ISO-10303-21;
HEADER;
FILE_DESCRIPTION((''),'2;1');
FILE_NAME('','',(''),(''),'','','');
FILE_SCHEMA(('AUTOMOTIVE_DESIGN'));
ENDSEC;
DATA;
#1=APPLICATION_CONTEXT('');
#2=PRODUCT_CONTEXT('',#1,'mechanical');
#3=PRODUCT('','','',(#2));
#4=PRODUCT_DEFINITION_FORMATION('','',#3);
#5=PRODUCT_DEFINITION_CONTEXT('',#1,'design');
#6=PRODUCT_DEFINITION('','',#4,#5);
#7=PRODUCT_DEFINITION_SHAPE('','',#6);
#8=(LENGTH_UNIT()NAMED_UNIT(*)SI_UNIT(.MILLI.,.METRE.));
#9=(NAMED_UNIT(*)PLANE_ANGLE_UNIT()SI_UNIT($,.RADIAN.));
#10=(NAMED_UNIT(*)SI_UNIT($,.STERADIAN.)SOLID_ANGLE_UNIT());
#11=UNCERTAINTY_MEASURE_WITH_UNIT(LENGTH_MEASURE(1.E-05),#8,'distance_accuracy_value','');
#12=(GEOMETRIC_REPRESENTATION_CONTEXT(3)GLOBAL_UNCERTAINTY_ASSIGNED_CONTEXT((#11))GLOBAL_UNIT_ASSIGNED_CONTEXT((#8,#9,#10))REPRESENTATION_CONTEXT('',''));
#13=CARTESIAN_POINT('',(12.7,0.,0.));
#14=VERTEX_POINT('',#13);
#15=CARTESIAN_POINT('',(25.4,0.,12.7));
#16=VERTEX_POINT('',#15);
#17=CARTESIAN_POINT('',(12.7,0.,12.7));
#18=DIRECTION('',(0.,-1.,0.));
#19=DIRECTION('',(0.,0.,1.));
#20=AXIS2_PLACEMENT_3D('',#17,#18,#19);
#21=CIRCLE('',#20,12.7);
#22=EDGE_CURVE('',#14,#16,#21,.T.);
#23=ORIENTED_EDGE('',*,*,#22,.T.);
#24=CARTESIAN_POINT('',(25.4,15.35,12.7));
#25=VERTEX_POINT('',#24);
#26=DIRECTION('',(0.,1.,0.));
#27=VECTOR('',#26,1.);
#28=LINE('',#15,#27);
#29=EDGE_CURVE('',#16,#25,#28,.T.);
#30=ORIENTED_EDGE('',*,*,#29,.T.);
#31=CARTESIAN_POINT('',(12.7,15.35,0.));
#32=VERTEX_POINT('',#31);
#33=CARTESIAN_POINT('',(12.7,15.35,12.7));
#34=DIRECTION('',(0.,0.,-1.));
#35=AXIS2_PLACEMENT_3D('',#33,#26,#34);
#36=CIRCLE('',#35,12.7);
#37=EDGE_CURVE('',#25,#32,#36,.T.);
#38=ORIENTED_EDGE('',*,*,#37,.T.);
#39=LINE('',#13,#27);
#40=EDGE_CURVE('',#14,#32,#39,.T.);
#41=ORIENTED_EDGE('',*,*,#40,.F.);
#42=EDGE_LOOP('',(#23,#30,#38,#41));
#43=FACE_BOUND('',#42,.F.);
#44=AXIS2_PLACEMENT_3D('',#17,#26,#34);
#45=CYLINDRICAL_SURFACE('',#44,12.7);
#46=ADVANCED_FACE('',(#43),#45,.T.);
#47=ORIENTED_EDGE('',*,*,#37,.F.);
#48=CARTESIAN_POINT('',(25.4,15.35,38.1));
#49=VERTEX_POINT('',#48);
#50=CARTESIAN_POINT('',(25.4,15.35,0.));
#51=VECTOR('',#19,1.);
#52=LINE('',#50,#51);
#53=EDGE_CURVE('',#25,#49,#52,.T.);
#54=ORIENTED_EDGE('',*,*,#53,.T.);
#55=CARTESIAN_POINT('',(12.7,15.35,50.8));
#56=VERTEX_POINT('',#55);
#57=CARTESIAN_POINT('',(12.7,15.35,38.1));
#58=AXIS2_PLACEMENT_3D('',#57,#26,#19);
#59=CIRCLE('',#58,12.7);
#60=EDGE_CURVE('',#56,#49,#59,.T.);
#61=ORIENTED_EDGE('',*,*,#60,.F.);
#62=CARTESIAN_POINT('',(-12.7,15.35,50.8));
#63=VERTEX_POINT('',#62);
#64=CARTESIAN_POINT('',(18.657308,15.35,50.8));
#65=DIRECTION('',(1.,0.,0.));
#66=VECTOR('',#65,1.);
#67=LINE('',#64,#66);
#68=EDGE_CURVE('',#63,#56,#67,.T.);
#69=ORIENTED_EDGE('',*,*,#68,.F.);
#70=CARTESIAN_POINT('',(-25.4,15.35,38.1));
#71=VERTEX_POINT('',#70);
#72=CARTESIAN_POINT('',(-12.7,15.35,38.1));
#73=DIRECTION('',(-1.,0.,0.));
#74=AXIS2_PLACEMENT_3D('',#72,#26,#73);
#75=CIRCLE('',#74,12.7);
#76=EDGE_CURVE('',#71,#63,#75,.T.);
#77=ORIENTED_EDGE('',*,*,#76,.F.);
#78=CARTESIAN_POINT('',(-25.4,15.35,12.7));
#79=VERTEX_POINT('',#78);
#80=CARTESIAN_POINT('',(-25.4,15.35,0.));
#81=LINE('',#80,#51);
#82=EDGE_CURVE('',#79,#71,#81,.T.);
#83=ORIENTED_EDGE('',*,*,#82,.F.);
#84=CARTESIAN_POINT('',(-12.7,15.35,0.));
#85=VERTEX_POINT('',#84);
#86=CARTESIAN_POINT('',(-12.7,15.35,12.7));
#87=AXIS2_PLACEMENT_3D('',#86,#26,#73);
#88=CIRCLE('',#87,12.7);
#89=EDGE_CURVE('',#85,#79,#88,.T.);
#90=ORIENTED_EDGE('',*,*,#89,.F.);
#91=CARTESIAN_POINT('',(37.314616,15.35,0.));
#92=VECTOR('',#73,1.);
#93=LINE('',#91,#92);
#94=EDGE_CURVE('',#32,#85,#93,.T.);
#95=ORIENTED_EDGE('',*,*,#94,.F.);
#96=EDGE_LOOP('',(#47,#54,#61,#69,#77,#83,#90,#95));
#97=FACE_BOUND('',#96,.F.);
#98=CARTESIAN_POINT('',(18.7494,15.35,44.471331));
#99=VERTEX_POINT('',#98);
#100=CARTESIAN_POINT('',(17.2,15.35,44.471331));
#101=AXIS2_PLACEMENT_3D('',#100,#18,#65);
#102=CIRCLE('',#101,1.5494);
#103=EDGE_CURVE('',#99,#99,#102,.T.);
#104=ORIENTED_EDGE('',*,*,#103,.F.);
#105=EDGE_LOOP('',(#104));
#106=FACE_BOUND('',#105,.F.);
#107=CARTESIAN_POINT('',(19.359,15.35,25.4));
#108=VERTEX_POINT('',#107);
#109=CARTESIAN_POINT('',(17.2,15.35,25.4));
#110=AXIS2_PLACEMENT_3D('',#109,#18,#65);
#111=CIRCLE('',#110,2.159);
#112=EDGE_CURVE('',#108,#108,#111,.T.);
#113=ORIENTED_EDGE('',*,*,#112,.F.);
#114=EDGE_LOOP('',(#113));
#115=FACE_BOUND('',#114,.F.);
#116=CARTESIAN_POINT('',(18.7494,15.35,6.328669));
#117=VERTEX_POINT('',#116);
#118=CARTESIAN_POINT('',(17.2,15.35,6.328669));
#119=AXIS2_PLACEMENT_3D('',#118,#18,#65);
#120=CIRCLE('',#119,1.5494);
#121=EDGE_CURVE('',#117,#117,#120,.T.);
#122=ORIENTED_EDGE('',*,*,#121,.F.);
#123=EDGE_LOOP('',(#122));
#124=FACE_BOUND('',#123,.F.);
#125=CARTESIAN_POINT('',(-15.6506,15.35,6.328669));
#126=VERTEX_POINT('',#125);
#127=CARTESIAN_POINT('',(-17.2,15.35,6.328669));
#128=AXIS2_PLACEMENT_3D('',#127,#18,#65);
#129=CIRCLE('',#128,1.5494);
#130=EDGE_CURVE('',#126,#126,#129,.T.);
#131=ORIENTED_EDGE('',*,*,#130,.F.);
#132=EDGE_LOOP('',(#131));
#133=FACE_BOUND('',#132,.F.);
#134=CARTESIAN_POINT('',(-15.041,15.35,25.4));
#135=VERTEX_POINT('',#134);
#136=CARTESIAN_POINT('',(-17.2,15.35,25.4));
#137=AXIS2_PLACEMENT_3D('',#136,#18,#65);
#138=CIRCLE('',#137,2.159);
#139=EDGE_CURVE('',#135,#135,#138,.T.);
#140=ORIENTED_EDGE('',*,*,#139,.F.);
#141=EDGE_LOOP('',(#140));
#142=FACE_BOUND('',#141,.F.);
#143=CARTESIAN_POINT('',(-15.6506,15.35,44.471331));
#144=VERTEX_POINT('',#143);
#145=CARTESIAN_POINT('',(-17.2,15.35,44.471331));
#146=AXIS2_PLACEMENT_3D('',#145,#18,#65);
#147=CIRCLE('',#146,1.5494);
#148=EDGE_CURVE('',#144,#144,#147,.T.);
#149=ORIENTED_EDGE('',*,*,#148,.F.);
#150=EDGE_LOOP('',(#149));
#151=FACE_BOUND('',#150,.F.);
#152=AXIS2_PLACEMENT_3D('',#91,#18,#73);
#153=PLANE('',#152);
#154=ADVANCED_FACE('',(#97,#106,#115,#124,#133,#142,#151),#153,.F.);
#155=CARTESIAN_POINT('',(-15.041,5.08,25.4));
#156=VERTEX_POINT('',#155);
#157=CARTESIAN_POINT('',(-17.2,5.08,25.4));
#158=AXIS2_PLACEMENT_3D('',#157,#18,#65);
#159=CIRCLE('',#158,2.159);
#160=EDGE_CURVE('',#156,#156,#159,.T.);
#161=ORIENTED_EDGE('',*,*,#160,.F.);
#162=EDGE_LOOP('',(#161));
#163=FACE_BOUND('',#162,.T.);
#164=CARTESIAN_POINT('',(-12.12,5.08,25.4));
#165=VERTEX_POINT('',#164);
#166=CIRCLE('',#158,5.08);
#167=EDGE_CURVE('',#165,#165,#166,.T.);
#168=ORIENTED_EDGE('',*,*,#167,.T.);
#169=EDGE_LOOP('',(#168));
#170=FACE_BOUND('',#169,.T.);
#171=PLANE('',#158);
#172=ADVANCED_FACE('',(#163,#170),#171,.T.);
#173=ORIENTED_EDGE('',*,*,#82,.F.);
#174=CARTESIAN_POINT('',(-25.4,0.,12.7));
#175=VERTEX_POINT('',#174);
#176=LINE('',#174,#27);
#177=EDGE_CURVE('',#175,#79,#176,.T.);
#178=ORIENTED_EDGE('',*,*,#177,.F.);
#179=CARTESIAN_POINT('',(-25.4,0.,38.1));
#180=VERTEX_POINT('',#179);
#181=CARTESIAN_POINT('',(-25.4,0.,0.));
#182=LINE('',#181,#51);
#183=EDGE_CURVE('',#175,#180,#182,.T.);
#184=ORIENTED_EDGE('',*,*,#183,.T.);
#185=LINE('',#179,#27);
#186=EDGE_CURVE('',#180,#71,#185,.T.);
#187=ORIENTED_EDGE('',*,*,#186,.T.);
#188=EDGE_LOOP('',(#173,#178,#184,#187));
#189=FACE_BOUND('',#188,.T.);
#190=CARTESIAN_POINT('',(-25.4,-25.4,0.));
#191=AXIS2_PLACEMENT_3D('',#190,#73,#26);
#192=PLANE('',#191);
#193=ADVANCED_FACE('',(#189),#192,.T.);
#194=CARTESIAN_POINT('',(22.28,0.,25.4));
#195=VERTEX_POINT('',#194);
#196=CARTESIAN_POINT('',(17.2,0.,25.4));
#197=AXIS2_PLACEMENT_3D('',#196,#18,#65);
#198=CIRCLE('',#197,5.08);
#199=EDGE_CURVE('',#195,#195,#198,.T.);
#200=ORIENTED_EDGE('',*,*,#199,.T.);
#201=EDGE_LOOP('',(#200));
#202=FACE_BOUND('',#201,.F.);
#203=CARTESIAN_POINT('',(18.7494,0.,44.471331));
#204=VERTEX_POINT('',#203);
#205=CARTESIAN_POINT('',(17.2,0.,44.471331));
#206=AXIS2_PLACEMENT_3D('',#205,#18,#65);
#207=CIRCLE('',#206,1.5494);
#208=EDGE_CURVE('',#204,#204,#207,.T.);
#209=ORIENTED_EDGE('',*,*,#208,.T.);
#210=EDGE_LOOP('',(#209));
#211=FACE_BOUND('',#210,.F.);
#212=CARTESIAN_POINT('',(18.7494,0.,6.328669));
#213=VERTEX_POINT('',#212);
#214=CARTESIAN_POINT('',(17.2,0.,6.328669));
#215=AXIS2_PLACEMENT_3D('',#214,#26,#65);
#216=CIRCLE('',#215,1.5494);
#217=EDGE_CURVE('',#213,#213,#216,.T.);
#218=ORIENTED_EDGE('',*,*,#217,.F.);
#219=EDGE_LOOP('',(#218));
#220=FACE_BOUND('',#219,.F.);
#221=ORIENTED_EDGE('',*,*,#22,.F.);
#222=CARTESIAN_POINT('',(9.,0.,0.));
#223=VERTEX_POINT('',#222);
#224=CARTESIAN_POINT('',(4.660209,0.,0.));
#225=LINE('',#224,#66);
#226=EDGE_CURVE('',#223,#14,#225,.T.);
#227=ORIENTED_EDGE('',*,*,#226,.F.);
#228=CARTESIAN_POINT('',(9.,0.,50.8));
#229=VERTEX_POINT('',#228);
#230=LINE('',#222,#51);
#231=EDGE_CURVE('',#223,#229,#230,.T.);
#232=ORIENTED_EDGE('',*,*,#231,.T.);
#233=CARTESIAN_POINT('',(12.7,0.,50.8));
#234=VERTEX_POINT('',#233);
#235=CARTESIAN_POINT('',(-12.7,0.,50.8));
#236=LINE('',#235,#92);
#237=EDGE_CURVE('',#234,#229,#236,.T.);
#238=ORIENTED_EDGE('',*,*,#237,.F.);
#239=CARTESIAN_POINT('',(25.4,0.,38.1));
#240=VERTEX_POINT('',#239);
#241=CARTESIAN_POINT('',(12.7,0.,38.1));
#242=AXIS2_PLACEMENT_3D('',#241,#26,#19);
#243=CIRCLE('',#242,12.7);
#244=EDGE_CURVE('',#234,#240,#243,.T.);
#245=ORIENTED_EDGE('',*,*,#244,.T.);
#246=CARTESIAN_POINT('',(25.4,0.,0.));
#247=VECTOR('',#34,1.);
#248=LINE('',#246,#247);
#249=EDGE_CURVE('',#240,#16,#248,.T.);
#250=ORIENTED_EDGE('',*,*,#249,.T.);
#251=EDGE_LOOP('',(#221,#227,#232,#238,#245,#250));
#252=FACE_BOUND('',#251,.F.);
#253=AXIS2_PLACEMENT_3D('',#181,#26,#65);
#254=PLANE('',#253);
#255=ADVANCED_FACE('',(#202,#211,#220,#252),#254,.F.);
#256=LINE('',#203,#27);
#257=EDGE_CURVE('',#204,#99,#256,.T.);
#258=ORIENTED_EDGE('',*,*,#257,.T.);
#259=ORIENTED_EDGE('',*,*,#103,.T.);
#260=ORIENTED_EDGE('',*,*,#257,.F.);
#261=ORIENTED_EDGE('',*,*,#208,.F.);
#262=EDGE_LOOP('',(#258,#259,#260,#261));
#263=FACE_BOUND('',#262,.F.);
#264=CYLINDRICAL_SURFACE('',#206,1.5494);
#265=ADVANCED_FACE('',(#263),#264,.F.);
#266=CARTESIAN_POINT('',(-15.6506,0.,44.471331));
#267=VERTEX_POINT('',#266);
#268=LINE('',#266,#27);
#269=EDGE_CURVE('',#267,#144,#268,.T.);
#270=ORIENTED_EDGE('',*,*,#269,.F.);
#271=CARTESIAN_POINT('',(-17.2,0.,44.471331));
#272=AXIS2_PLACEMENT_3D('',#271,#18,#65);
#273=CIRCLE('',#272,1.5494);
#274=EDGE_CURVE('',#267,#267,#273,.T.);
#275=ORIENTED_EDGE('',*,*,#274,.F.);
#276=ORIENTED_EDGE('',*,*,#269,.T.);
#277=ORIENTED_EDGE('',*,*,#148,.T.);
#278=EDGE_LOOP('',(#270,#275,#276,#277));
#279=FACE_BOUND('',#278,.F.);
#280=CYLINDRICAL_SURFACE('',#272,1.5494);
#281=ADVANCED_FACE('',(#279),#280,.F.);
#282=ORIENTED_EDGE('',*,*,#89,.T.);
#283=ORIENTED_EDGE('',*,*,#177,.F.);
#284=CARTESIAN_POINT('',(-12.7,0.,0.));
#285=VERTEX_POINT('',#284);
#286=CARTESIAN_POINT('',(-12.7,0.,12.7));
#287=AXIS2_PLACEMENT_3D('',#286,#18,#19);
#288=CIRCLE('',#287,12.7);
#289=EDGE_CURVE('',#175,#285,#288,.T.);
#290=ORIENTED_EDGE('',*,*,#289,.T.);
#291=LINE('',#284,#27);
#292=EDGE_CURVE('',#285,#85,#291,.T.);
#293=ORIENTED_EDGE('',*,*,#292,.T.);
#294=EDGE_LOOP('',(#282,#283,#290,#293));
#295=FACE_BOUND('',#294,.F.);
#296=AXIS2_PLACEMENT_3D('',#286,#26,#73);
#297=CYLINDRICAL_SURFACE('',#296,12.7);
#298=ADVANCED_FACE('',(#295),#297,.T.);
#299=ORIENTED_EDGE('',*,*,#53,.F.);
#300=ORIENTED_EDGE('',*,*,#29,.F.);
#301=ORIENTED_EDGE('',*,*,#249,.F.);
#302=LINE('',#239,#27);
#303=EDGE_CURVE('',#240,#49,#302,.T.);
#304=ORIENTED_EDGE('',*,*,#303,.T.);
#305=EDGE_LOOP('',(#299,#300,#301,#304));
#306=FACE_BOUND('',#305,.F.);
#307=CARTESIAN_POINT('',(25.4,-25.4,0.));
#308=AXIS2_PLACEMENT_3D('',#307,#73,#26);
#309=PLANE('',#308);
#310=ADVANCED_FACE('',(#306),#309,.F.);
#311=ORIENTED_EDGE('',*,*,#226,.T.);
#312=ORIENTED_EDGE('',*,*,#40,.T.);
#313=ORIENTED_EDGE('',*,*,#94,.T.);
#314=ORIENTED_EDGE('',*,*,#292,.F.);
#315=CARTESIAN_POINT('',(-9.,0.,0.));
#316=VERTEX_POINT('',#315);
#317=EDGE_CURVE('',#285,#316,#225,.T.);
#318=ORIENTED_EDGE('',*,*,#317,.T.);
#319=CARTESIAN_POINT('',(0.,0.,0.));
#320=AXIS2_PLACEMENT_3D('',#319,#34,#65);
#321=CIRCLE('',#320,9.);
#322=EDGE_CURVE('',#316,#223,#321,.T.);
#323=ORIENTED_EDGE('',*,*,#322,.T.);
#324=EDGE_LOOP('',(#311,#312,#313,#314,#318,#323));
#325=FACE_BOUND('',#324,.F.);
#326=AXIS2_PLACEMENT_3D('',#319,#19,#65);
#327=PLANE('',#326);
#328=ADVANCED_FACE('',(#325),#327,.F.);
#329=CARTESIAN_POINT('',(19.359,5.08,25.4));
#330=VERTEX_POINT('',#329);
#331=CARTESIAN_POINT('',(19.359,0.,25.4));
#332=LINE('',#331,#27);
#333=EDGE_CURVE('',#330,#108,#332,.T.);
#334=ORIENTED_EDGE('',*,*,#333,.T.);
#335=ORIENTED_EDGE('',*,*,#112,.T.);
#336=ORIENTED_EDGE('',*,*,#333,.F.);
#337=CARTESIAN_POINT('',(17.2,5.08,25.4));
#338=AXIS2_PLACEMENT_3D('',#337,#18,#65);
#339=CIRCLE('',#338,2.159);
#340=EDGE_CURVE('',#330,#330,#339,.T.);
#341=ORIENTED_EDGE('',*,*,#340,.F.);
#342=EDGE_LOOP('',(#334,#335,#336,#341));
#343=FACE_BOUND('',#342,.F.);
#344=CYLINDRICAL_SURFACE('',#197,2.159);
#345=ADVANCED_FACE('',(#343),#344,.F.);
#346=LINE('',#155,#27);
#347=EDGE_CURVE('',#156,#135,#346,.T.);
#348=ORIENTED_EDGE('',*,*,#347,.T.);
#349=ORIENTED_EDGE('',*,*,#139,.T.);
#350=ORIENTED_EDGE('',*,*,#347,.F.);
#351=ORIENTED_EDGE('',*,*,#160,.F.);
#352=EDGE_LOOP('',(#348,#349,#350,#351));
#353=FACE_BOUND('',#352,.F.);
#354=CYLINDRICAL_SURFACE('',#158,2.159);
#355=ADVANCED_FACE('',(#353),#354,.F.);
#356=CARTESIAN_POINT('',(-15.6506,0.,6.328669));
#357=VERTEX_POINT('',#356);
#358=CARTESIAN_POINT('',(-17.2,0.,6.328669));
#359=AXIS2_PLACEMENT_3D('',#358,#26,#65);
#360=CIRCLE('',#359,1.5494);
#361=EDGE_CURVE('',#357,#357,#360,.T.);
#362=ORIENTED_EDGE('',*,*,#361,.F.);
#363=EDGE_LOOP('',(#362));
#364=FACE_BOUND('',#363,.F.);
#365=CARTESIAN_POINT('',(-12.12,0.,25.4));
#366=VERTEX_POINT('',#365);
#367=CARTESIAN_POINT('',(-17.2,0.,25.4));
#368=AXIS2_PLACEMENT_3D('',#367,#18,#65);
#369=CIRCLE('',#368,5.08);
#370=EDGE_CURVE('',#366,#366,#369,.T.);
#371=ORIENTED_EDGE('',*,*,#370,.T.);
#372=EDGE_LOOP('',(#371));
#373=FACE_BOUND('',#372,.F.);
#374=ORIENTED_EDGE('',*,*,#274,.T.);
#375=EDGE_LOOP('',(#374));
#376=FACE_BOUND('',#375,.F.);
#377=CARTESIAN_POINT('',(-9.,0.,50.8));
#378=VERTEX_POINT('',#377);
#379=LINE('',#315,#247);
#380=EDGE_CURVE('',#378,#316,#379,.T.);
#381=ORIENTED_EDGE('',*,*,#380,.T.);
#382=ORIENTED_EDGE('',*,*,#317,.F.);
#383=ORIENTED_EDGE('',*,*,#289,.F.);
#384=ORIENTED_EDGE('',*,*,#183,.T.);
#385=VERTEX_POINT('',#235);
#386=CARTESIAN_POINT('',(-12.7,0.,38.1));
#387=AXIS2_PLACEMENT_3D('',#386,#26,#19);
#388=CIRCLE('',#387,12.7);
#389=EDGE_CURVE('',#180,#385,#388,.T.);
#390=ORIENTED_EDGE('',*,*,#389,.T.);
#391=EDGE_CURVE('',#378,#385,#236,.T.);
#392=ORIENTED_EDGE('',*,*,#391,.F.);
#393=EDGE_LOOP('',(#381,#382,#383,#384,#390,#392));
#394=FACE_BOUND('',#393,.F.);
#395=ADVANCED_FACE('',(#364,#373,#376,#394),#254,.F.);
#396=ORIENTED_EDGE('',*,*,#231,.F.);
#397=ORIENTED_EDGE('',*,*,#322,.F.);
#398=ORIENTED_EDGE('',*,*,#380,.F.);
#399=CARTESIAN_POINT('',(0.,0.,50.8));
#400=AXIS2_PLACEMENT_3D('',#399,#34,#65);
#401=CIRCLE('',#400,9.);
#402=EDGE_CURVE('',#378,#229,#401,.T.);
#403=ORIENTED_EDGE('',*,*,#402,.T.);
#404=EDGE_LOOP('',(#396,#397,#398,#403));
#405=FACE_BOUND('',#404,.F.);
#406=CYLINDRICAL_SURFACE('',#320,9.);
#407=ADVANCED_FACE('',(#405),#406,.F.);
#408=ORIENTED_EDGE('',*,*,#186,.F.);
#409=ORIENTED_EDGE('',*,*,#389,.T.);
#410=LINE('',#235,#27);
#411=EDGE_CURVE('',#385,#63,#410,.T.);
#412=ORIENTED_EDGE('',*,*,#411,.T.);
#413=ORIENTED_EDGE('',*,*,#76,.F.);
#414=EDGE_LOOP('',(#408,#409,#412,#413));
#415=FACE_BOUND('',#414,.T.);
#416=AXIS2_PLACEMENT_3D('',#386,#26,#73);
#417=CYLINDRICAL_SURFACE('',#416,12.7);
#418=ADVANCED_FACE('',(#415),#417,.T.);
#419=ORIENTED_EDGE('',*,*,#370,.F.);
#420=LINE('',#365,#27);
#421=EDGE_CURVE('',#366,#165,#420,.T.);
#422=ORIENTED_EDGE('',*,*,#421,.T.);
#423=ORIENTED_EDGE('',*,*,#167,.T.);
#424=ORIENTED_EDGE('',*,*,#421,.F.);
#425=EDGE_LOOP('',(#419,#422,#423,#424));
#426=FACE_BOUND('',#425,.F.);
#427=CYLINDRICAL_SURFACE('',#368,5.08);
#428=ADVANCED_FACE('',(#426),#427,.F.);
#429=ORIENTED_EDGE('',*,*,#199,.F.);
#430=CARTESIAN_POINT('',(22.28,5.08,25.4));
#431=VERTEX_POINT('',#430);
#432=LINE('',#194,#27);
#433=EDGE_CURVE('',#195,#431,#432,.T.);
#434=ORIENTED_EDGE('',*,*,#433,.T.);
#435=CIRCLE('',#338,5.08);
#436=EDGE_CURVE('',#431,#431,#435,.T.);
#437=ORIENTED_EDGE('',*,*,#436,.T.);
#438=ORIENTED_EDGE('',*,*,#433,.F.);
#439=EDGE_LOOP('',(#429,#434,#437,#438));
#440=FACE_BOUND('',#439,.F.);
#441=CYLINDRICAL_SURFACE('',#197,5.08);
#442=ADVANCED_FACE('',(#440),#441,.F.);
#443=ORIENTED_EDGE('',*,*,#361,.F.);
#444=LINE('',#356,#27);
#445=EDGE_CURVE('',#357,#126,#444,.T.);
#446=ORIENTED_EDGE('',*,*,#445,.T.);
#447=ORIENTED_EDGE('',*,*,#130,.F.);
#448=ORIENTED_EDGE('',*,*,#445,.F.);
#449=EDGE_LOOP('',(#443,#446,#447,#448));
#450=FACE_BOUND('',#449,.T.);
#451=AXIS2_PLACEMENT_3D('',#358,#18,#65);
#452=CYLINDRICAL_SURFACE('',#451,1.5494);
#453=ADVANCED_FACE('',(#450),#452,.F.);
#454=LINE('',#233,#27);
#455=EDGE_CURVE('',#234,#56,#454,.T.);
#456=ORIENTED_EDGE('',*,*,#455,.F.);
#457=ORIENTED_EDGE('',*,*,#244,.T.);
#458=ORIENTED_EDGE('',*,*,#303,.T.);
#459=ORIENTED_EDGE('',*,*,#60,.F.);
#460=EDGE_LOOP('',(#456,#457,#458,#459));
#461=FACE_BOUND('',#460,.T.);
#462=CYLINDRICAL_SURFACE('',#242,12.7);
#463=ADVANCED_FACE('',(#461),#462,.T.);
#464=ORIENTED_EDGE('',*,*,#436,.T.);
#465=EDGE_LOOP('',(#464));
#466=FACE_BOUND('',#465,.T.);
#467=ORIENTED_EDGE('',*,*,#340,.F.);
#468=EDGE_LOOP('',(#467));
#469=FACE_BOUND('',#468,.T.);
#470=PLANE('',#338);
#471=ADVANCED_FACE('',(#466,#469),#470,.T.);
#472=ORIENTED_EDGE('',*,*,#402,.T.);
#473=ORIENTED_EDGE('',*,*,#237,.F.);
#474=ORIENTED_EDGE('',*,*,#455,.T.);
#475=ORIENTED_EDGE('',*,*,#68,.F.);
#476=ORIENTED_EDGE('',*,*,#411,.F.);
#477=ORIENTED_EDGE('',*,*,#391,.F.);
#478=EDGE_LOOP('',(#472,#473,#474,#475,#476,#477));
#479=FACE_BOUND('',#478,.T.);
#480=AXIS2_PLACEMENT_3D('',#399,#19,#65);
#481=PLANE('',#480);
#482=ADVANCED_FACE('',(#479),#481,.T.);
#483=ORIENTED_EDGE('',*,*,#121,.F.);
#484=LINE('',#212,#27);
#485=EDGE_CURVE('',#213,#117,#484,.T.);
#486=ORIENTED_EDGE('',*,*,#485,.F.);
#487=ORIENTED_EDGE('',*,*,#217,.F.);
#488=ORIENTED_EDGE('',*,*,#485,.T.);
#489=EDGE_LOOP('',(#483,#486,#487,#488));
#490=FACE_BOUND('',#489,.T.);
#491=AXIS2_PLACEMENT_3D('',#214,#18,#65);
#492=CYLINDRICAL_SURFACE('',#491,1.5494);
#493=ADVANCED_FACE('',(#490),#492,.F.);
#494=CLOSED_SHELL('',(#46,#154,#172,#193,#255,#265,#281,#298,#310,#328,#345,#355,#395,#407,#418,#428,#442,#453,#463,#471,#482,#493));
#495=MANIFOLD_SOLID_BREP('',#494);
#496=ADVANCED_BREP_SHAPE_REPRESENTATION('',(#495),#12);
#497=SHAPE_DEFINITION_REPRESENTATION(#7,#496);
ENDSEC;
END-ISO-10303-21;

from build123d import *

# Parameters (mm, degrees)
F0_W      = 50.8
F0_H      = 50.8
F1_DEPTH  = 50.8
F2_R      = 9
F3_DEPTH  = 407.416
F4_W      = 60.1204171121
F4_H      = 25.4
F5_DEPTH  = 338.582
F6_R      = 5.08
F7_DEPTH  = 5.08
F8_R      = 2.159
F9_DEPTH  = 25.4
F10_R     = 1.5494
F11_DEPTH = 25.4
F12_R     = 1.5494
F12_R_2   = 2.159
F13_DEPTH = 25.4
F14_R     = 5.08
F15_DEPTH = 5.08
F18_R     = 12.7
F20_DEPTH = 72.39


with BuildPart() as f1:
    # F0 (on Top) → F1 (new body)
    with BuildSketch(Plane.XY):
        Rectangle(F0_W, F0_H)
    extrude(amount=F1_DEPTH)

    # F2 (on face) → F3 (cut)
    with BuildSketch(Plane(origin=(0, 0, 0), x_dir=(1, 0, 0), z_dir=(0, 0, -1))):
        Circle(F2_R)
    extrude(amount=-F3_DEPTH, mode=Mode.SUBTRACT)

    # F4 (on face) → F5 (cut)
    with BuildSketch(Plane(origin=(0, 0, 0), x_dir=(1, 0, 0), z_dir=(0, 0, -1))):
        with Locations((4.6602085561, 12.7)):
            Rectangle(F4_W, F4_H)
    extrude(amount=-F5_DEPTH, mode=Mode.SUBTRACT)

    # F6 (on face) → F7 (cut)
    with BuildSketch(Plane.XZ):
        with Locations((-17.2, 25.4)):
            Circle(F6_R)
    extrude(amount=-F7_DEPTH, mode=Mode.SUBTRACT)

    # F8 (on face) → F9 (cut)
    with BuildSketch(Plane.XZ.offset(-5.08)):
        with Locations((-17.2, 25.4)):
            Circle(F8_R)
    extrude(amount=-F9_DEPTH, mode=Mode.SUBTRACT)

    # F10 (on face) → F11 (cut)
    with BuildSketch(Plane.XZ):
        with Locations((-17.2, 44.4713309407)):
            Circle(F10_R)
    extrude(amount=-F11_DEPTH, mode=Mode.SUBTRACT)

    # F12 (on face) → F13 (cut)
    with BuildSketch(Plane.XZ):
        with Locations((17.2, 44.4713309407)):
            Circle(F12_R)
        with Locations((17.2, 25.4)):
            Circle(F12_R_2)
    extrude(amount=-F13_DEPTH, mode=Mode.SUBTRACT)

    # F14 (on face) → F15 (cut)
    with BuildSketch(Plane.XZ):
        with Locations((17.2, 25.4)):
            Circle(F14_R)
    extrude(amount=-F15_DEPTH, mode=Mode.SUBTRACT)

    # F17: F1 across plane


with BuildPart() as f1_1:
    add(f1.part)
    add(f1.part.mirror(Plane(origin=(0, 13.6714489466, 25.4), x_dir=(1, 0, 0), z_dir=(0, 0, 1))), mode=Mode.INTERSECT)

    # F18
    f18_edges = [f1_1.edges().sort_by_distance(p)[0] for p in [
        (-25.4, 12.7, 0),
        (-25.4, 12.7, 50.8),
        (25.4, 12.7, 0),
        (25.4, 12.7, 50.8),
    ]]
    fillet(f18_edges, radius=F18_R)

    # F19 (on face) → F20 (cut)
    with BuildSketch(Plane(origin=(0, 0, 0), x_dir=(1, 0, 0), z_dir=(0, 0, -1))):
        Polygon((37.3146161437, -15.35), (0, -15.35), (-44.7141490877, -15.35), (-42.6479764283, -31.9298505783), (43.3826521039, -33.9571945369), align=None)
    extrude(amount=-F20_DEPTH, mode=Mode.SUBTRACT)


solid = f1_1.part
